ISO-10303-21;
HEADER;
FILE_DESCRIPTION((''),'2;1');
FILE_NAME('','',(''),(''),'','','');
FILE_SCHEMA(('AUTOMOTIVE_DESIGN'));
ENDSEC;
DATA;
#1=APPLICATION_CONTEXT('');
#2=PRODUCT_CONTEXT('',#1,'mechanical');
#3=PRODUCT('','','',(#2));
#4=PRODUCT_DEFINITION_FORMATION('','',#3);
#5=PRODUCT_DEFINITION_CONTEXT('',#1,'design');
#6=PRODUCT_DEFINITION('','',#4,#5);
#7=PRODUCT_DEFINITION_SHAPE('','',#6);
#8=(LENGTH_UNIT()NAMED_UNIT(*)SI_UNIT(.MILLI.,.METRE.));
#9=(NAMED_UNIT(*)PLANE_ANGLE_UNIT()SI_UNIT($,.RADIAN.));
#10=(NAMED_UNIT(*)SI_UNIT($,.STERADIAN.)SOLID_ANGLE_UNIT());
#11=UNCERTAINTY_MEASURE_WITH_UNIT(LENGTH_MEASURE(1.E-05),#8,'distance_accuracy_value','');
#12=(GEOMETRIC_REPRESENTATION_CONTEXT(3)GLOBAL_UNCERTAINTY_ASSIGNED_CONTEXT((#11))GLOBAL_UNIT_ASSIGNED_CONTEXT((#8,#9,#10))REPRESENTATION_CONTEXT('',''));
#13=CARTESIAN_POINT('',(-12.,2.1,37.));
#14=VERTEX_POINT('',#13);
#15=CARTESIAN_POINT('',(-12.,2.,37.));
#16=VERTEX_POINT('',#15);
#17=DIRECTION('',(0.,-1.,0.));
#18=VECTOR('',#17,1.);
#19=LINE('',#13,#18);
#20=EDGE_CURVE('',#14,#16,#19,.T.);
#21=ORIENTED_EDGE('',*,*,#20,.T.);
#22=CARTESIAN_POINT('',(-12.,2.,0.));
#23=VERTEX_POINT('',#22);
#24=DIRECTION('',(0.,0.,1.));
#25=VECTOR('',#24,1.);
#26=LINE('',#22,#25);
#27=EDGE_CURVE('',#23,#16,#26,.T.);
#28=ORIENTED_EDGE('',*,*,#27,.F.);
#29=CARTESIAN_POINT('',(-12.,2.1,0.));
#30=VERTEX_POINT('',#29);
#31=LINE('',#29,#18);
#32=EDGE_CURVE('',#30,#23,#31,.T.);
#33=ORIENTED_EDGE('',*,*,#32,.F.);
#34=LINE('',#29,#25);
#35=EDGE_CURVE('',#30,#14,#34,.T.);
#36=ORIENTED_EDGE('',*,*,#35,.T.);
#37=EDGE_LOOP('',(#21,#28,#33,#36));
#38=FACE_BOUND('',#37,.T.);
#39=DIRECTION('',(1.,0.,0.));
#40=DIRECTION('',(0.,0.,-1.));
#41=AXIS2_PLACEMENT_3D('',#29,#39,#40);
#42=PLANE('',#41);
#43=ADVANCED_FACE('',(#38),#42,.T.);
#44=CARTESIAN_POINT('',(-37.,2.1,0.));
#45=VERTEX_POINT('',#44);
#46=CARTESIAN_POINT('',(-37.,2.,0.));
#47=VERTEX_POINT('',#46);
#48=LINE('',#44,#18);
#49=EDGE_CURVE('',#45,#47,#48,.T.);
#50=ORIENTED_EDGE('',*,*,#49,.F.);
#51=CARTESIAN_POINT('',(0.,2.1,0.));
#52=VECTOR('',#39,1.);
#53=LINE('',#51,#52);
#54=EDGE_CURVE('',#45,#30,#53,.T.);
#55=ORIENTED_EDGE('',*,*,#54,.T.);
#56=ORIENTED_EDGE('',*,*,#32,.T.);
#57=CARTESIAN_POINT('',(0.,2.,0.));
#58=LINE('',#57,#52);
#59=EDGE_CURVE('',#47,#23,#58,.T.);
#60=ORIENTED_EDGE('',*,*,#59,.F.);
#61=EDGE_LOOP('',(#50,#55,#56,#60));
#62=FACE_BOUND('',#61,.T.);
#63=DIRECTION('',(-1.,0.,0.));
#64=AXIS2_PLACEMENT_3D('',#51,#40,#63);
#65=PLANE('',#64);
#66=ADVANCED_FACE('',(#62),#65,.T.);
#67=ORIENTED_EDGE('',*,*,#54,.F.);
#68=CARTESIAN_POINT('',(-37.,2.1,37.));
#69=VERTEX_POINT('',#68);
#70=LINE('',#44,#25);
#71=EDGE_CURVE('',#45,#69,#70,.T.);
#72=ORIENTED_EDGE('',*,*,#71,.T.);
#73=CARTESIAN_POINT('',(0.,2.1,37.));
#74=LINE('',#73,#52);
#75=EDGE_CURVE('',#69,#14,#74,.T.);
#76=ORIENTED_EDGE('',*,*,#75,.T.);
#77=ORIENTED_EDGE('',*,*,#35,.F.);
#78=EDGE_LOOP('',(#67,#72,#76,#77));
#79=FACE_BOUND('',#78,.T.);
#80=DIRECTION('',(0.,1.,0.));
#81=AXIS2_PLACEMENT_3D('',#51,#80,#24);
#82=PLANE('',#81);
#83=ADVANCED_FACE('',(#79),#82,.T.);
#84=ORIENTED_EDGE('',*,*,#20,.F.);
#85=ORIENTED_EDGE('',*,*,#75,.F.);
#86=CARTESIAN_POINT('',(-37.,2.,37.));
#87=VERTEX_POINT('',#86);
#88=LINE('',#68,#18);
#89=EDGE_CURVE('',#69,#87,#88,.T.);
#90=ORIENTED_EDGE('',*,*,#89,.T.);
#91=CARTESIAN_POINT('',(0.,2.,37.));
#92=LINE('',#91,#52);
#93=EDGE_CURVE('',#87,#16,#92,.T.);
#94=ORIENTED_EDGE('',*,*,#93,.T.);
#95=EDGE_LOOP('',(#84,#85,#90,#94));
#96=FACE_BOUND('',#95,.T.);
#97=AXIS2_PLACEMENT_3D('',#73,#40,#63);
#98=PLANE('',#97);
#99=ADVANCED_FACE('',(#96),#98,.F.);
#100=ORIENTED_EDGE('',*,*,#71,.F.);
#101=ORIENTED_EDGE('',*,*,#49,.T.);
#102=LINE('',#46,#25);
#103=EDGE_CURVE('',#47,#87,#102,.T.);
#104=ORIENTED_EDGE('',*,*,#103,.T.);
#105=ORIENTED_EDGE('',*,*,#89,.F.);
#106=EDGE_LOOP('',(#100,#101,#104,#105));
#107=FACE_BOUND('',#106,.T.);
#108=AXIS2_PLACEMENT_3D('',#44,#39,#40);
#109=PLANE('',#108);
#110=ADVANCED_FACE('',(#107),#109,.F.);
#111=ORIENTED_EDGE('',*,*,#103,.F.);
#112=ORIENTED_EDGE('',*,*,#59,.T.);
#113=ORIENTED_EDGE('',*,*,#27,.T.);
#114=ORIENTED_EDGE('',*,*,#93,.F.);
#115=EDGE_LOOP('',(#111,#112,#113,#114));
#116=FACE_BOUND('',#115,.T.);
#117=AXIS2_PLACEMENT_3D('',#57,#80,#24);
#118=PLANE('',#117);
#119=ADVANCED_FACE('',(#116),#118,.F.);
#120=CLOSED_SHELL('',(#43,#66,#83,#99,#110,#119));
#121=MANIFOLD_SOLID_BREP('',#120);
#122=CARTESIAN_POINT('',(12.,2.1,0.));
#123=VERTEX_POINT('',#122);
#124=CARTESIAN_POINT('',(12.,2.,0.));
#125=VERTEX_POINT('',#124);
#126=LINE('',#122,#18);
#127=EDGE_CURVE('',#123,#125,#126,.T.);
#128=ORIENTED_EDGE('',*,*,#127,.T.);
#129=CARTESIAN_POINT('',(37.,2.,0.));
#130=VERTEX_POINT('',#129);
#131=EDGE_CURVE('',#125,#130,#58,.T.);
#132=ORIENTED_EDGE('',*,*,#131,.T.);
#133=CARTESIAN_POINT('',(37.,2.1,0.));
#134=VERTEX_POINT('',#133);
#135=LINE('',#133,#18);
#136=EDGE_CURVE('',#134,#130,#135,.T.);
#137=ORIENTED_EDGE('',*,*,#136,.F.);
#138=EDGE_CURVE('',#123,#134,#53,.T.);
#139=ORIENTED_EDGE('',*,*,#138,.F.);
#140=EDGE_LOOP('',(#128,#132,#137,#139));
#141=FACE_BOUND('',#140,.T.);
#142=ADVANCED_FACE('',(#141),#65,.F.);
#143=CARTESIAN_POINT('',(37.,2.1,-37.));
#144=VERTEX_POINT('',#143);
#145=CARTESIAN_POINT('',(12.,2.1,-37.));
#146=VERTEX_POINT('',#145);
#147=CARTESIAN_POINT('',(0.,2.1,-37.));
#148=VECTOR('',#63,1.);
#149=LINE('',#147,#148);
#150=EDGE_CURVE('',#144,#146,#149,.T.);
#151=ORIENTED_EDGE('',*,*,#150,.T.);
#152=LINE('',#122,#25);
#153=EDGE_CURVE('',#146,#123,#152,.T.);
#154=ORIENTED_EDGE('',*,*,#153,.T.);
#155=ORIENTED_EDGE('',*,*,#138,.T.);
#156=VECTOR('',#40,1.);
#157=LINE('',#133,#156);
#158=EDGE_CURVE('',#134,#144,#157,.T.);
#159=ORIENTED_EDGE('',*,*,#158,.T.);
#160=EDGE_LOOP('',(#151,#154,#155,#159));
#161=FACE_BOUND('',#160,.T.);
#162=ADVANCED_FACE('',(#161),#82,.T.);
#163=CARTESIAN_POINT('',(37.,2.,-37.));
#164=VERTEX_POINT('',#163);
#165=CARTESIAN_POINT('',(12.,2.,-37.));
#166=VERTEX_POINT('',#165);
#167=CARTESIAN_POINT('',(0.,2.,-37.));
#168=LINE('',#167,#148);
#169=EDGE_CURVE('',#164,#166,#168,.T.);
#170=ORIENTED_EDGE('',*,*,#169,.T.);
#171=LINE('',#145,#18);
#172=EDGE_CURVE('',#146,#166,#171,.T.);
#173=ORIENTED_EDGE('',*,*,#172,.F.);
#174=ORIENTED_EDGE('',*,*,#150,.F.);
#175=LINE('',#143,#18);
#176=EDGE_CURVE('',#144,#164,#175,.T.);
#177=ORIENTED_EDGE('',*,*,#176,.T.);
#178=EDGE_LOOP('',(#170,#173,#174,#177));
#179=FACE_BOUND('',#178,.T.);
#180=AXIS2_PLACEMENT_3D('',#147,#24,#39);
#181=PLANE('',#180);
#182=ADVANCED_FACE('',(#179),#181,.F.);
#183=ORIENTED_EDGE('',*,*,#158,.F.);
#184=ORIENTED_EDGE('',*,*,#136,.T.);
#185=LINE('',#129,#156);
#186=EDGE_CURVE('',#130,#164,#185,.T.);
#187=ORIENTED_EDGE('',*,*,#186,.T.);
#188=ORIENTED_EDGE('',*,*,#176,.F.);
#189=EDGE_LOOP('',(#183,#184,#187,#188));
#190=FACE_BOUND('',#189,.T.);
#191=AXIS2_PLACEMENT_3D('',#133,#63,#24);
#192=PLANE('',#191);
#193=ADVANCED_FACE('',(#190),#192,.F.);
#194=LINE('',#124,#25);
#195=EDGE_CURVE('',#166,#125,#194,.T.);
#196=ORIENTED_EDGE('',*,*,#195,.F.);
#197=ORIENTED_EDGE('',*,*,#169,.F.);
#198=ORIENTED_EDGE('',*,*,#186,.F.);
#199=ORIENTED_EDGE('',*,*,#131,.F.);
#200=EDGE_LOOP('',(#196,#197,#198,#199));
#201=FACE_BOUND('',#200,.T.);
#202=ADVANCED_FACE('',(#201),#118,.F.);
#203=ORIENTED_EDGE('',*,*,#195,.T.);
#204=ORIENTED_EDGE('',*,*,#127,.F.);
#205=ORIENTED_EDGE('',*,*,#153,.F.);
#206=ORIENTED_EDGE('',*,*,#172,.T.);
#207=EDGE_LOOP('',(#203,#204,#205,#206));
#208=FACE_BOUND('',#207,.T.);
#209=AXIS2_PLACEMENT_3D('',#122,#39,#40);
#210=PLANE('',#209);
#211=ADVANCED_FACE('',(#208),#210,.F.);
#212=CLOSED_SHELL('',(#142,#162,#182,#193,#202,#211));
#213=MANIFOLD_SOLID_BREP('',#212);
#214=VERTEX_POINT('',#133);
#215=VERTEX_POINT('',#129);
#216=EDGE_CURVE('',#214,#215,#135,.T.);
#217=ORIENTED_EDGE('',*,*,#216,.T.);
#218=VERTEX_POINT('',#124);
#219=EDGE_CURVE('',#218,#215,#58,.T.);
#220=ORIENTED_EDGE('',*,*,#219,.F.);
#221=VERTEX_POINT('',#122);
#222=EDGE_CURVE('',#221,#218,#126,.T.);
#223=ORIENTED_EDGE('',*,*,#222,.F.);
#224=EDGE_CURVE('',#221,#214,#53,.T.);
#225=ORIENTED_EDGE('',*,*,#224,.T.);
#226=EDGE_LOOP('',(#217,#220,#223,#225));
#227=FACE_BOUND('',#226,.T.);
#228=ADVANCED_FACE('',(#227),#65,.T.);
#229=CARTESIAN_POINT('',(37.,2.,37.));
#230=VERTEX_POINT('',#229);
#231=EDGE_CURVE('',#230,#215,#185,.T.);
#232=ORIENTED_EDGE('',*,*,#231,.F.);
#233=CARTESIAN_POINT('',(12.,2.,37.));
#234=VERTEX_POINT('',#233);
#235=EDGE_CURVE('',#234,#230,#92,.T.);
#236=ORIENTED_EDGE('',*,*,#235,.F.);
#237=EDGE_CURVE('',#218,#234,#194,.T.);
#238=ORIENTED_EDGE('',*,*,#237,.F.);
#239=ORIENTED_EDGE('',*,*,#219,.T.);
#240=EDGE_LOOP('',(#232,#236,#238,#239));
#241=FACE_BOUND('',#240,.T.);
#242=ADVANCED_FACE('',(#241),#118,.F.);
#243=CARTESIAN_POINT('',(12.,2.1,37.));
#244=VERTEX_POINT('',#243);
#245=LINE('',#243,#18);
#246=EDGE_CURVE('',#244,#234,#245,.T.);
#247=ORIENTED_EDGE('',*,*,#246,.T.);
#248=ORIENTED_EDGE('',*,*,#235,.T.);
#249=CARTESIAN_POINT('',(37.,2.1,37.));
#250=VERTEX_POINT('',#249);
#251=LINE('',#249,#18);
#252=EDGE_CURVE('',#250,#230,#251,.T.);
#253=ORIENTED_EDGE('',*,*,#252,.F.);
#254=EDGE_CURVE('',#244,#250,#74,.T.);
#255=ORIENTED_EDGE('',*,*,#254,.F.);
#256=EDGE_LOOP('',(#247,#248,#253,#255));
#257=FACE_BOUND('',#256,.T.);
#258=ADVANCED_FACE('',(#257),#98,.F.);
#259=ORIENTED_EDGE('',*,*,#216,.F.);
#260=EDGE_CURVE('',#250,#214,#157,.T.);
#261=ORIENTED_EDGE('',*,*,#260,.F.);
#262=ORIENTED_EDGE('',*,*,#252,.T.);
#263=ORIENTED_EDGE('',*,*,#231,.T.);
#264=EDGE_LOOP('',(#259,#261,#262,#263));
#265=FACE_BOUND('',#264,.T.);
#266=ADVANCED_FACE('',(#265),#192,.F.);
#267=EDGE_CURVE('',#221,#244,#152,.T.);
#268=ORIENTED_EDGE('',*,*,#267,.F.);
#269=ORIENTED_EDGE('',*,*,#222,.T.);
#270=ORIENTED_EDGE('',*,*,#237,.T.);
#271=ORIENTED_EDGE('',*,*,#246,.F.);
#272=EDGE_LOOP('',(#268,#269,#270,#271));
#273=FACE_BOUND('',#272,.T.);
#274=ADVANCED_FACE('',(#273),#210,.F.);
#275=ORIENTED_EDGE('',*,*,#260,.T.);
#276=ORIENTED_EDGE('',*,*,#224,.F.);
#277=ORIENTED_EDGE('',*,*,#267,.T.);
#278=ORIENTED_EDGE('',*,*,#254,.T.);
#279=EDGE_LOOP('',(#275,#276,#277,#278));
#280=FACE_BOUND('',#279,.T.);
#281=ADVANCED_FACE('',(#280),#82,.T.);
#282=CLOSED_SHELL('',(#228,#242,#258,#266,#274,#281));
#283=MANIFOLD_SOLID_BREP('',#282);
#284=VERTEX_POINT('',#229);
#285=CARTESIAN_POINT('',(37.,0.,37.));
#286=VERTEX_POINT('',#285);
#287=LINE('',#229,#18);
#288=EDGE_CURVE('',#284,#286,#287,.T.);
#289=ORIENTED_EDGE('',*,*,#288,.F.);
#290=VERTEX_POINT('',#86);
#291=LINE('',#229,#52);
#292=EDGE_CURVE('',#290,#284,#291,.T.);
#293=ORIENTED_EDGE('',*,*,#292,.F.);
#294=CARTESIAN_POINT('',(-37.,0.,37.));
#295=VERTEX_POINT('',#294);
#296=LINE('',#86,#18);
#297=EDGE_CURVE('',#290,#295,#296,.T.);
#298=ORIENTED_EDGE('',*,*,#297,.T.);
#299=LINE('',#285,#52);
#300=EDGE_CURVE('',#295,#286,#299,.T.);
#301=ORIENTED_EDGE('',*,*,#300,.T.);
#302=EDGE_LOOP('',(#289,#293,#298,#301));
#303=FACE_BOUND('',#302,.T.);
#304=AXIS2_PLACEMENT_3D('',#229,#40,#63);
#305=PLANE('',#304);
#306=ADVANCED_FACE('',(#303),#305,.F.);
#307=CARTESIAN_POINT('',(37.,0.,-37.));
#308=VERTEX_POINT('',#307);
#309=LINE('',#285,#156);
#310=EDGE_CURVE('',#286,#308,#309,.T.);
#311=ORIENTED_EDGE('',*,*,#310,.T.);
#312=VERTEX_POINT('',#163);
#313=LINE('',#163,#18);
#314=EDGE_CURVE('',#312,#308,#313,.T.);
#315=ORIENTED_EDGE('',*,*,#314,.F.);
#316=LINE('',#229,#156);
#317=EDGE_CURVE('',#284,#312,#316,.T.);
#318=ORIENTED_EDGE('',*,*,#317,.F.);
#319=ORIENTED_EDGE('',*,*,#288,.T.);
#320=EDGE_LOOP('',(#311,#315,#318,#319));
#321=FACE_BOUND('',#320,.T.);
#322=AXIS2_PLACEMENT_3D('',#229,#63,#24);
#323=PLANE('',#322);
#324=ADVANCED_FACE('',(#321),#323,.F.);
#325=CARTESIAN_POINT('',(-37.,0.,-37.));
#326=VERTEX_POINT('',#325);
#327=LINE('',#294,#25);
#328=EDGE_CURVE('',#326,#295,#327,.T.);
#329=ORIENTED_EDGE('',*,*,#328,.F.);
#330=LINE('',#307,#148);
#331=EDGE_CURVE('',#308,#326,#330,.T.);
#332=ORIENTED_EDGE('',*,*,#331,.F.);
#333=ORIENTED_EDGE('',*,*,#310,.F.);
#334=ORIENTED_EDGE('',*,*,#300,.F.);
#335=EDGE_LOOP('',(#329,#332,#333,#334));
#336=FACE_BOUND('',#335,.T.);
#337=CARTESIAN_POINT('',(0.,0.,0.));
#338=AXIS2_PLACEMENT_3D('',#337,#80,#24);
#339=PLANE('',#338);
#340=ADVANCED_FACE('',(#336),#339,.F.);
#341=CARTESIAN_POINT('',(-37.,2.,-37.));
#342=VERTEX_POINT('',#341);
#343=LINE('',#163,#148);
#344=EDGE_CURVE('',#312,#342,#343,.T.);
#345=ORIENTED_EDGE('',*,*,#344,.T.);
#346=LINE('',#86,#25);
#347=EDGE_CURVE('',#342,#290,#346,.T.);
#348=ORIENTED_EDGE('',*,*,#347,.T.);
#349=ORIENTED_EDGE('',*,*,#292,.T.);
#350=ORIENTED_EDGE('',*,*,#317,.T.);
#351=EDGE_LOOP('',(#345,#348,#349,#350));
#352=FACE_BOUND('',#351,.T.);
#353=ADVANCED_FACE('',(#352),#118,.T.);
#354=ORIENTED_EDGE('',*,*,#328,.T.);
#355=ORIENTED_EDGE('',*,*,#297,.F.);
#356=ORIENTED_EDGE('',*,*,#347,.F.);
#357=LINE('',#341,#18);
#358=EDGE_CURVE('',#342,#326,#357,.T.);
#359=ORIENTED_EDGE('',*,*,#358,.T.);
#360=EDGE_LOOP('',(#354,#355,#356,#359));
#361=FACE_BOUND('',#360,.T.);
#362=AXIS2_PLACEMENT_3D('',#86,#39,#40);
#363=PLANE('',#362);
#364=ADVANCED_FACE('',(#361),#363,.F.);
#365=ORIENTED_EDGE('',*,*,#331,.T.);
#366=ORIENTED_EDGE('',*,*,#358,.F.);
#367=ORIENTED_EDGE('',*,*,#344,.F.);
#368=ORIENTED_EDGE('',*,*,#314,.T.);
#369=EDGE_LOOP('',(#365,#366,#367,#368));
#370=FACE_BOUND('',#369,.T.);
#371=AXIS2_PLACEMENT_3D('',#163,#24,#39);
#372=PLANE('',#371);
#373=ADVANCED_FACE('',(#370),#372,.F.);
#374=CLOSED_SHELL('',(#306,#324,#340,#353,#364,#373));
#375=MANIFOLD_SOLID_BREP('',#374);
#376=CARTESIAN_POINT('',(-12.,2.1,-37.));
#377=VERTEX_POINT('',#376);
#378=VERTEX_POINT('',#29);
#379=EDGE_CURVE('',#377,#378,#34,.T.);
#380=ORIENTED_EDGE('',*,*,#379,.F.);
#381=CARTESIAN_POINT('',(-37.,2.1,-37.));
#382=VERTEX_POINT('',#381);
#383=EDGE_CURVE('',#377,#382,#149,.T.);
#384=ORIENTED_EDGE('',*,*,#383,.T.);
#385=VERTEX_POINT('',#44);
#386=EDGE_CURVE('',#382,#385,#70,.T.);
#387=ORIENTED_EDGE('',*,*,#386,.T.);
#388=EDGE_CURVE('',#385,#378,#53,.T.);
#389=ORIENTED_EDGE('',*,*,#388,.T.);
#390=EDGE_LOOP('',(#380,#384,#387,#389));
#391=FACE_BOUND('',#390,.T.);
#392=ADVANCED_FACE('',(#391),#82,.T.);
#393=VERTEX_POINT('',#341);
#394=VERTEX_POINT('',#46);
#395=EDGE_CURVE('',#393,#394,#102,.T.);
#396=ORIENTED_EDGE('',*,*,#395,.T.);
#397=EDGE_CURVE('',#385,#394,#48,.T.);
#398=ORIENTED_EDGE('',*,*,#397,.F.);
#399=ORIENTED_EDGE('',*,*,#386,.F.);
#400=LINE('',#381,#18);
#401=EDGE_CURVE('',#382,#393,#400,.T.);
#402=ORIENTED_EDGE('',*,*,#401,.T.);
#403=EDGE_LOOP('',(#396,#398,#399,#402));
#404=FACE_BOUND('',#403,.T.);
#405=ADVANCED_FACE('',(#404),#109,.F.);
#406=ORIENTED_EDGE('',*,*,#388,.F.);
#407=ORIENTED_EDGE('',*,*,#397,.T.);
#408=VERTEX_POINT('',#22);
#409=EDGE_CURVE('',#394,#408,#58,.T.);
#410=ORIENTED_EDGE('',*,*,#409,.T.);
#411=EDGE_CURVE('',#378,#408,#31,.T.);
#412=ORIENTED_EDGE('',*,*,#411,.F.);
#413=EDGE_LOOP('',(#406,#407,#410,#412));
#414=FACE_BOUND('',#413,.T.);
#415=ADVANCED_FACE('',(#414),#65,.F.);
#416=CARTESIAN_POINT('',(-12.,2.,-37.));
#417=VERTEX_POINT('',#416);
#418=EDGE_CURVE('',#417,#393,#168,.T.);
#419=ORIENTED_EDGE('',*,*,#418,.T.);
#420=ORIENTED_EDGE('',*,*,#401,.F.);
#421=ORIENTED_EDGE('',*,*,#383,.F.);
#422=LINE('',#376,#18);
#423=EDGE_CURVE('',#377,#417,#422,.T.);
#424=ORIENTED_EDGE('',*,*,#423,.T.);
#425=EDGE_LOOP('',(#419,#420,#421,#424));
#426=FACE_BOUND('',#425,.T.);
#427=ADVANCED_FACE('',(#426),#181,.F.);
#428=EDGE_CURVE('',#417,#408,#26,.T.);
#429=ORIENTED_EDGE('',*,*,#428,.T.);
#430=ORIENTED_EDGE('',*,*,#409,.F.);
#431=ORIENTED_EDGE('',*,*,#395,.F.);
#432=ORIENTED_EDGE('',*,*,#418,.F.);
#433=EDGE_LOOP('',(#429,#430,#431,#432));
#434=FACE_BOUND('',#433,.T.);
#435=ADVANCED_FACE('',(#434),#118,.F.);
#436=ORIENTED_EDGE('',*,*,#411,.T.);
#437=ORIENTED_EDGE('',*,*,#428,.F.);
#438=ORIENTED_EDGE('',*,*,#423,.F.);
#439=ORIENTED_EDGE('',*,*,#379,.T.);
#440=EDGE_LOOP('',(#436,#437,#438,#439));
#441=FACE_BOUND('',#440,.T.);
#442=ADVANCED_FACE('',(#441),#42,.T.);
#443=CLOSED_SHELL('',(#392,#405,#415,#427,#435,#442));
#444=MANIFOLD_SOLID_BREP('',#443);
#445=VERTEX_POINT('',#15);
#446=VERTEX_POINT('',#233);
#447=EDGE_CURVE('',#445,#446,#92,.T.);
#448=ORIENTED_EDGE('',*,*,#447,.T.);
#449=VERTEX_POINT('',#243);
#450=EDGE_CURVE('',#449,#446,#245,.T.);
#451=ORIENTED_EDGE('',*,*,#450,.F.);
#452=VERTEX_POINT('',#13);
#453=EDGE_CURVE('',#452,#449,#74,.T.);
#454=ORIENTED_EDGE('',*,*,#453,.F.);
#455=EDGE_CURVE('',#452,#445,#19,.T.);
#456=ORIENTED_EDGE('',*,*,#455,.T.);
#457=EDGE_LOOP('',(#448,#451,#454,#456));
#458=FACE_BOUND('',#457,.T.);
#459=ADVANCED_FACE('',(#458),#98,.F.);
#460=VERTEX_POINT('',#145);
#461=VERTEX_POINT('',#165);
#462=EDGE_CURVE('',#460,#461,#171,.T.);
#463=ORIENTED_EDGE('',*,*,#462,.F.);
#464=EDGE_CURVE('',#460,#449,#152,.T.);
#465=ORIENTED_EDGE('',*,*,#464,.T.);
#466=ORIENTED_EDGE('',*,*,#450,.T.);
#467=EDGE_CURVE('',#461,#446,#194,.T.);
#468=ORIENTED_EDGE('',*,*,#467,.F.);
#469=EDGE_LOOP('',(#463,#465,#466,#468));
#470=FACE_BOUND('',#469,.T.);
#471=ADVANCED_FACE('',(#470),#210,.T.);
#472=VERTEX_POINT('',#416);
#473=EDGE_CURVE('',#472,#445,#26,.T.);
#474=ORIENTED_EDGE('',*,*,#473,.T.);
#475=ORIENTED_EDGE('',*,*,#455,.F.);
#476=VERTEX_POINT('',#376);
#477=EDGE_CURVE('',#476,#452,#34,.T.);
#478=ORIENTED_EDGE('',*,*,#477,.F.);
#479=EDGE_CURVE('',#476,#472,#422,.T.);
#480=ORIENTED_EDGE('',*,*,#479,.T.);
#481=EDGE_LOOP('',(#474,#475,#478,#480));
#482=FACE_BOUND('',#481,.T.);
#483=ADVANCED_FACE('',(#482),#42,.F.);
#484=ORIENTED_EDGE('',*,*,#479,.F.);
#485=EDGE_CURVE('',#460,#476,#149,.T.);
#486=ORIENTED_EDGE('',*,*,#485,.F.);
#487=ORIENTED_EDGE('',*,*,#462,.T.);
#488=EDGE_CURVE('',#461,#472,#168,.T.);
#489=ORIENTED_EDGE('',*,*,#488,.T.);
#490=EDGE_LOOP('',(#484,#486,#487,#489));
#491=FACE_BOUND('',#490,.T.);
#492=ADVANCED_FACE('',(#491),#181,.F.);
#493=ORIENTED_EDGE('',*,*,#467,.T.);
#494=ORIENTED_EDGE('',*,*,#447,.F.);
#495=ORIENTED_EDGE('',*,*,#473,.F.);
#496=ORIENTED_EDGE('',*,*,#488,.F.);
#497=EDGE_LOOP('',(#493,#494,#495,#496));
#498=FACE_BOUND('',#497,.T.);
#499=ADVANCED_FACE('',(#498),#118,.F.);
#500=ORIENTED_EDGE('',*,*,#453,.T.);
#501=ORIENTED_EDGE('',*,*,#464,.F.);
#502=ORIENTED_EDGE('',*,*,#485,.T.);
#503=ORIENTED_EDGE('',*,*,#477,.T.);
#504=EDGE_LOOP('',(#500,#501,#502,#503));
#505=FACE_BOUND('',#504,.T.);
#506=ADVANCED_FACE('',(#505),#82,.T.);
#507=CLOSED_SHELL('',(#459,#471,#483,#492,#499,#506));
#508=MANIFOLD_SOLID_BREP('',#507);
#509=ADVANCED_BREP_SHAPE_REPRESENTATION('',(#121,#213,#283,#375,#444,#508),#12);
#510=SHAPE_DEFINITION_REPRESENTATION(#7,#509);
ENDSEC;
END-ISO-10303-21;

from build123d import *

# Parameters (mm, degrees)
SKETCH1_W           = 74
SKETCH1_H           = 74
BOSS_EXTRUDE1_DEPTH = 2
SKETCH2_W           = 25
SKETCH2_H           = 37
BOSS_EXTRUDE2_DEPTH = 0.1
SKETCH2_3_W         = 25
SKETCH2_3_H         = 37
BOSS_EXTRUDE3_DEPTH = 0.1
SKETCH2_4_W         = 25
SKETCH2_4_H         = 37
BOSS_EXTRUDE4_DEPTH = 0.1
BOSS_EXTRUDE5_DEPTH = 0.1
SKETCH2_6_W         = 25
SKETCH2_6_H         = 37
BOSS_EXTRUDE6_DEPTH = 0.1


with BuildPart() as part:
    # Sketch1 → Boss-Extrude1 (new body)
    with BuildSketch(Plane(origin=(0, 0, 0), x_dir=(1, 0, 0), z_dir=(0, 1, 0))):
        Rectangle(SKETCH1_W, SKETCH1_H)
    extrude(amount=BOSS_EXTRUDE1_DEPTH)


with BuildPart() as body_2:
    # Sketch2 → Boss-Extrude2 (new body)
    with BuildSketch(Plane(origin=(0, 2, 0), x_dir=(1, 0, 0), z_dir=(0, 1, 0))):
        with Locations((-24.5, 18.5)):
            Rectangle(SKETCH2_W, SKETCH2_H)
    extrude(amount=BOSS_EXTRUDE2_DEPTH)


with BuildPart() as body_3:
    # Sketch2<3> → Boss-Extrude3 (new body)
    with BuildSketch(Plane(origin=(0, 2, 0), x_dir=(1, 0, 0), z_dir=(0, 1, 0))):
        with Locations((24.5, -18.5)):
            Rectangle(SKETCH2_3_W, SKETCH2_3_H)
    extrude(amount=BOSS_EXTRUDE3_DEPTH)


with BuildPart() as body_4:
    # Sketch2<4> → Boss-Extrude4 (new body)
    with BuildSketch(Plane(origin=(0, 2, 0), x_dir=(1, 0, 0), z_dir=(0, 1, 0))):
        with Locations((-24.5, -18.5)):
            Rectangle(SKETCH2_4_W, SKETCH2_4_H)
    extrude(amount=BOSS_EXTRUDE4_DEPTH)


with BuildPart() as body_5:
    # Sketch2<5> → Boss-Extrude5 (new body)
    with BuildSketch(Plane(origin=(0, 2, 0), x_dir=(1, 0, 0), z_dir=(0, 1, 0))):
        Polygon((12, 37), (-12, 37), (-12, 0), (-12, -37), (12, -37), (12, 0), align=None)
    extrude(amount=BOSS_EXTRUDE5_DEPTH)


with BuildPart() as body_6:
    # Sketch2<6> → Boss-Extrude6 (new body)
    with BuildSketch(Plane(origin=(0, 2, 0), x_dir=(1, 0, 0), z_dir=(0, 1, 0))):
        with Locations((24.5, 18.5)):
            Rectangle(SKETCH2_6_W, SKETCH2_6_H)
    extrude(amount=BOSS_EXTRUDE6_DEPTH)


solid = Compound([part.part, body_2.part, body_3.part, body_4.part, body_5.part, body_6.part])
